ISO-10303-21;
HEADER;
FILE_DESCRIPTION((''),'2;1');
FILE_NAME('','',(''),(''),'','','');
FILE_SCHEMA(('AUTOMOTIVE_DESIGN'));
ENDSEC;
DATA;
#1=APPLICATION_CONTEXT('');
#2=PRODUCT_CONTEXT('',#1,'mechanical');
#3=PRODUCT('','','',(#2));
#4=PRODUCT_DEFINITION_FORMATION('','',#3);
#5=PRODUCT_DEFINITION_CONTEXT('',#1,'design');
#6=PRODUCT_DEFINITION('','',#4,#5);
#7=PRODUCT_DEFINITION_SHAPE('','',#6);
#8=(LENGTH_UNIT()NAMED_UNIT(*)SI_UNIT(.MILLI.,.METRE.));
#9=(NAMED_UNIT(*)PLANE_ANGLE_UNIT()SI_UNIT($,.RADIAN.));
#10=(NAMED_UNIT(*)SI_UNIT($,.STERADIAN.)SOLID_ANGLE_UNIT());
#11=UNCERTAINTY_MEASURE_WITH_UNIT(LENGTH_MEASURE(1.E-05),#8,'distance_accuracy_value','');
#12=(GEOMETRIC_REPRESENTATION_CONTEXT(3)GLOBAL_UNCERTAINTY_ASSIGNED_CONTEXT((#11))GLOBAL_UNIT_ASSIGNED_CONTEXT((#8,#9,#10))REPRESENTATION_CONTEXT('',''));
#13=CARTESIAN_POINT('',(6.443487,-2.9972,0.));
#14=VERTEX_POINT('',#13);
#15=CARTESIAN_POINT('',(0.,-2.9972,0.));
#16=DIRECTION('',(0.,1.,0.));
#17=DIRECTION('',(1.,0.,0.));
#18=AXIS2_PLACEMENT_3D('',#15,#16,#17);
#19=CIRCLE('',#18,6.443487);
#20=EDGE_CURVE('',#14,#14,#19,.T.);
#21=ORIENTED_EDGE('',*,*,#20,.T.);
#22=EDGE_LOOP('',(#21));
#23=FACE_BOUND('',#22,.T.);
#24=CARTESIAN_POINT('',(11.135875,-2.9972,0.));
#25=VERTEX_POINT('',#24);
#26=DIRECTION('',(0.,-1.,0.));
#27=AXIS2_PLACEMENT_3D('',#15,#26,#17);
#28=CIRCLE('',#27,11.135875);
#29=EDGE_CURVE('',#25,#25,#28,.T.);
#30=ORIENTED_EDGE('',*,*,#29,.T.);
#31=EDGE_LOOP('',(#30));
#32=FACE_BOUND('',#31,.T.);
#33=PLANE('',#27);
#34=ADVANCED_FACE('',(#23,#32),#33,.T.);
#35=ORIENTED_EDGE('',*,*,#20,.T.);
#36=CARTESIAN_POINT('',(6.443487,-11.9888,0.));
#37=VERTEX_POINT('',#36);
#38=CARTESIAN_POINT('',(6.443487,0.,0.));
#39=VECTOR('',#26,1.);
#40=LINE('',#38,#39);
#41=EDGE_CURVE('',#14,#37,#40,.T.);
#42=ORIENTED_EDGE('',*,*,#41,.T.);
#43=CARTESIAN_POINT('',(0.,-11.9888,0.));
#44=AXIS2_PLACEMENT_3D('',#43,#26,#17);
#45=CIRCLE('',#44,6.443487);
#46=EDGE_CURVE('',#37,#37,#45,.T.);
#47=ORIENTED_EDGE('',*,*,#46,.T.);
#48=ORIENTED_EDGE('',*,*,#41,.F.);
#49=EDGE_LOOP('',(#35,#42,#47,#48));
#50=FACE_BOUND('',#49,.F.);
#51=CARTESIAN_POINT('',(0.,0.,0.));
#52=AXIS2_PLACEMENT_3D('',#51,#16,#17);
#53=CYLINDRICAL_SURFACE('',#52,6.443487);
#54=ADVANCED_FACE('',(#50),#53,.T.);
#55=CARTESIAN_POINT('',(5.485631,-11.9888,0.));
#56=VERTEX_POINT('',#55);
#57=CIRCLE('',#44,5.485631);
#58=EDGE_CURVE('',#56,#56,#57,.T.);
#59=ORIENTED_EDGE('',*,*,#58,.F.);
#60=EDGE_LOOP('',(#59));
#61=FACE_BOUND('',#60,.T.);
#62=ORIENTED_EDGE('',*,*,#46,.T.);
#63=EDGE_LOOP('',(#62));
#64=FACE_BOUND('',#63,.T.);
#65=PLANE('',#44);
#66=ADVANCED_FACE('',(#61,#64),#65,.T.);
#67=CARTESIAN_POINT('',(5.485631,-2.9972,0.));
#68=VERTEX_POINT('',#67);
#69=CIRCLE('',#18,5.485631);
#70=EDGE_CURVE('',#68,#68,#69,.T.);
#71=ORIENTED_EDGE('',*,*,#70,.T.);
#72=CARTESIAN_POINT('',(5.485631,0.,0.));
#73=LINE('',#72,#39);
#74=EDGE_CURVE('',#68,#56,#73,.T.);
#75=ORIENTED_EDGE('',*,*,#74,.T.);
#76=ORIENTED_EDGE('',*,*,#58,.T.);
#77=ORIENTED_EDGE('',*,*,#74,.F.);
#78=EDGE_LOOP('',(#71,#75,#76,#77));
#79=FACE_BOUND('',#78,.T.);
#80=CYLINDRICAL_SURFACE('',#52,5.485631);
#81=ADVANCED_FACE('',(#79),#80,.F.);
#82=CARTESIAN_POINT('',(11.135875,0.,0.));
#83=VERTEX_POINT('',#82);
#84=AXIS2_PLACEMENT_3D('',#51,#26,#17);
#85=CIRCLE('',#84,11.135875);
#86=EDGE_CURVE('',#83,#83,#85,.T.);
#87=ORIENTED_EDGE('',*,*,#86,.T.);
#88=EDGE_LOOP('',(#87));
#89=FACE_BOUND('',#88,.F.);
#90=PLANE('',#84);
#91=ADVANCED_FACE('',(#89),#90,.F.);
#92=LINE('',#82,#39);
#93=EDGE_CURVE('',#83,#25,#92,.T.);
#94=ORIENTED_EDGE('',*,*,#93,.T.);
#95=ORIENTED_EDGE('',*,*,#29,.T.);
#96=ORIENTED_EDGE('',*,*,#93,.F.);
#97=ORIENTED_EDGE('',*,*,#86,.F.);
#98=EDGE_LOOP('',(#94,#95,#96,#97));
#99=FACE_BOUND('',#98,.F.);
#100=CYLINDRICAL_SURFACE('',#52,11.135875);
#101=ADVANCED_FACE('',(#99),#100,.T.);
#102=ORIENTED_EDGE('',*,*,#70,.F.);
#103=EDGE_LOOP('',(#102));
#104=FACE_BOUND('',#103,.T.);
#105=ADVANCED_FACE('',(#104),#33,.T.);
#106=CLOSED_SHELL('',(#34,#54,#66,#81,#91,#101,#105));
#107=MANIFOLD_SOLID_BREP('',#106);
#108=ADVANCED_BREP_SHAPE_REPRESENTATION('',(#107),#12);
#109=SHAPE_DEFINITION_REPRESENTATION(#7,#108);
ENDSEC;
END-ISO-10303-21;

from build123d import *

# Parameters (mm, degrees)
F0_R     = 11.135875
F1_DEPTH = 2.9972
F2_R     = 6.443487
F2_R_2   = 5.485631
F3_DEPTH = 11.9888


with BuildPart() as f1:
    # F0 (on Front) → F1 (new body)
    with BuildSketch(Plane.XZ):
        Circle(F0_R)
    extrude(amount=F1_DEPTH)

    # F2 (on Front) → F3 (join)
    with BuildSketch(Plane.XZ):
        Circle(F2_R)
        Circle(F2_R_2, mode=Mode.SUBTRACT)
    extrude(amount=F3_DEPTH)


solid = f1.part
